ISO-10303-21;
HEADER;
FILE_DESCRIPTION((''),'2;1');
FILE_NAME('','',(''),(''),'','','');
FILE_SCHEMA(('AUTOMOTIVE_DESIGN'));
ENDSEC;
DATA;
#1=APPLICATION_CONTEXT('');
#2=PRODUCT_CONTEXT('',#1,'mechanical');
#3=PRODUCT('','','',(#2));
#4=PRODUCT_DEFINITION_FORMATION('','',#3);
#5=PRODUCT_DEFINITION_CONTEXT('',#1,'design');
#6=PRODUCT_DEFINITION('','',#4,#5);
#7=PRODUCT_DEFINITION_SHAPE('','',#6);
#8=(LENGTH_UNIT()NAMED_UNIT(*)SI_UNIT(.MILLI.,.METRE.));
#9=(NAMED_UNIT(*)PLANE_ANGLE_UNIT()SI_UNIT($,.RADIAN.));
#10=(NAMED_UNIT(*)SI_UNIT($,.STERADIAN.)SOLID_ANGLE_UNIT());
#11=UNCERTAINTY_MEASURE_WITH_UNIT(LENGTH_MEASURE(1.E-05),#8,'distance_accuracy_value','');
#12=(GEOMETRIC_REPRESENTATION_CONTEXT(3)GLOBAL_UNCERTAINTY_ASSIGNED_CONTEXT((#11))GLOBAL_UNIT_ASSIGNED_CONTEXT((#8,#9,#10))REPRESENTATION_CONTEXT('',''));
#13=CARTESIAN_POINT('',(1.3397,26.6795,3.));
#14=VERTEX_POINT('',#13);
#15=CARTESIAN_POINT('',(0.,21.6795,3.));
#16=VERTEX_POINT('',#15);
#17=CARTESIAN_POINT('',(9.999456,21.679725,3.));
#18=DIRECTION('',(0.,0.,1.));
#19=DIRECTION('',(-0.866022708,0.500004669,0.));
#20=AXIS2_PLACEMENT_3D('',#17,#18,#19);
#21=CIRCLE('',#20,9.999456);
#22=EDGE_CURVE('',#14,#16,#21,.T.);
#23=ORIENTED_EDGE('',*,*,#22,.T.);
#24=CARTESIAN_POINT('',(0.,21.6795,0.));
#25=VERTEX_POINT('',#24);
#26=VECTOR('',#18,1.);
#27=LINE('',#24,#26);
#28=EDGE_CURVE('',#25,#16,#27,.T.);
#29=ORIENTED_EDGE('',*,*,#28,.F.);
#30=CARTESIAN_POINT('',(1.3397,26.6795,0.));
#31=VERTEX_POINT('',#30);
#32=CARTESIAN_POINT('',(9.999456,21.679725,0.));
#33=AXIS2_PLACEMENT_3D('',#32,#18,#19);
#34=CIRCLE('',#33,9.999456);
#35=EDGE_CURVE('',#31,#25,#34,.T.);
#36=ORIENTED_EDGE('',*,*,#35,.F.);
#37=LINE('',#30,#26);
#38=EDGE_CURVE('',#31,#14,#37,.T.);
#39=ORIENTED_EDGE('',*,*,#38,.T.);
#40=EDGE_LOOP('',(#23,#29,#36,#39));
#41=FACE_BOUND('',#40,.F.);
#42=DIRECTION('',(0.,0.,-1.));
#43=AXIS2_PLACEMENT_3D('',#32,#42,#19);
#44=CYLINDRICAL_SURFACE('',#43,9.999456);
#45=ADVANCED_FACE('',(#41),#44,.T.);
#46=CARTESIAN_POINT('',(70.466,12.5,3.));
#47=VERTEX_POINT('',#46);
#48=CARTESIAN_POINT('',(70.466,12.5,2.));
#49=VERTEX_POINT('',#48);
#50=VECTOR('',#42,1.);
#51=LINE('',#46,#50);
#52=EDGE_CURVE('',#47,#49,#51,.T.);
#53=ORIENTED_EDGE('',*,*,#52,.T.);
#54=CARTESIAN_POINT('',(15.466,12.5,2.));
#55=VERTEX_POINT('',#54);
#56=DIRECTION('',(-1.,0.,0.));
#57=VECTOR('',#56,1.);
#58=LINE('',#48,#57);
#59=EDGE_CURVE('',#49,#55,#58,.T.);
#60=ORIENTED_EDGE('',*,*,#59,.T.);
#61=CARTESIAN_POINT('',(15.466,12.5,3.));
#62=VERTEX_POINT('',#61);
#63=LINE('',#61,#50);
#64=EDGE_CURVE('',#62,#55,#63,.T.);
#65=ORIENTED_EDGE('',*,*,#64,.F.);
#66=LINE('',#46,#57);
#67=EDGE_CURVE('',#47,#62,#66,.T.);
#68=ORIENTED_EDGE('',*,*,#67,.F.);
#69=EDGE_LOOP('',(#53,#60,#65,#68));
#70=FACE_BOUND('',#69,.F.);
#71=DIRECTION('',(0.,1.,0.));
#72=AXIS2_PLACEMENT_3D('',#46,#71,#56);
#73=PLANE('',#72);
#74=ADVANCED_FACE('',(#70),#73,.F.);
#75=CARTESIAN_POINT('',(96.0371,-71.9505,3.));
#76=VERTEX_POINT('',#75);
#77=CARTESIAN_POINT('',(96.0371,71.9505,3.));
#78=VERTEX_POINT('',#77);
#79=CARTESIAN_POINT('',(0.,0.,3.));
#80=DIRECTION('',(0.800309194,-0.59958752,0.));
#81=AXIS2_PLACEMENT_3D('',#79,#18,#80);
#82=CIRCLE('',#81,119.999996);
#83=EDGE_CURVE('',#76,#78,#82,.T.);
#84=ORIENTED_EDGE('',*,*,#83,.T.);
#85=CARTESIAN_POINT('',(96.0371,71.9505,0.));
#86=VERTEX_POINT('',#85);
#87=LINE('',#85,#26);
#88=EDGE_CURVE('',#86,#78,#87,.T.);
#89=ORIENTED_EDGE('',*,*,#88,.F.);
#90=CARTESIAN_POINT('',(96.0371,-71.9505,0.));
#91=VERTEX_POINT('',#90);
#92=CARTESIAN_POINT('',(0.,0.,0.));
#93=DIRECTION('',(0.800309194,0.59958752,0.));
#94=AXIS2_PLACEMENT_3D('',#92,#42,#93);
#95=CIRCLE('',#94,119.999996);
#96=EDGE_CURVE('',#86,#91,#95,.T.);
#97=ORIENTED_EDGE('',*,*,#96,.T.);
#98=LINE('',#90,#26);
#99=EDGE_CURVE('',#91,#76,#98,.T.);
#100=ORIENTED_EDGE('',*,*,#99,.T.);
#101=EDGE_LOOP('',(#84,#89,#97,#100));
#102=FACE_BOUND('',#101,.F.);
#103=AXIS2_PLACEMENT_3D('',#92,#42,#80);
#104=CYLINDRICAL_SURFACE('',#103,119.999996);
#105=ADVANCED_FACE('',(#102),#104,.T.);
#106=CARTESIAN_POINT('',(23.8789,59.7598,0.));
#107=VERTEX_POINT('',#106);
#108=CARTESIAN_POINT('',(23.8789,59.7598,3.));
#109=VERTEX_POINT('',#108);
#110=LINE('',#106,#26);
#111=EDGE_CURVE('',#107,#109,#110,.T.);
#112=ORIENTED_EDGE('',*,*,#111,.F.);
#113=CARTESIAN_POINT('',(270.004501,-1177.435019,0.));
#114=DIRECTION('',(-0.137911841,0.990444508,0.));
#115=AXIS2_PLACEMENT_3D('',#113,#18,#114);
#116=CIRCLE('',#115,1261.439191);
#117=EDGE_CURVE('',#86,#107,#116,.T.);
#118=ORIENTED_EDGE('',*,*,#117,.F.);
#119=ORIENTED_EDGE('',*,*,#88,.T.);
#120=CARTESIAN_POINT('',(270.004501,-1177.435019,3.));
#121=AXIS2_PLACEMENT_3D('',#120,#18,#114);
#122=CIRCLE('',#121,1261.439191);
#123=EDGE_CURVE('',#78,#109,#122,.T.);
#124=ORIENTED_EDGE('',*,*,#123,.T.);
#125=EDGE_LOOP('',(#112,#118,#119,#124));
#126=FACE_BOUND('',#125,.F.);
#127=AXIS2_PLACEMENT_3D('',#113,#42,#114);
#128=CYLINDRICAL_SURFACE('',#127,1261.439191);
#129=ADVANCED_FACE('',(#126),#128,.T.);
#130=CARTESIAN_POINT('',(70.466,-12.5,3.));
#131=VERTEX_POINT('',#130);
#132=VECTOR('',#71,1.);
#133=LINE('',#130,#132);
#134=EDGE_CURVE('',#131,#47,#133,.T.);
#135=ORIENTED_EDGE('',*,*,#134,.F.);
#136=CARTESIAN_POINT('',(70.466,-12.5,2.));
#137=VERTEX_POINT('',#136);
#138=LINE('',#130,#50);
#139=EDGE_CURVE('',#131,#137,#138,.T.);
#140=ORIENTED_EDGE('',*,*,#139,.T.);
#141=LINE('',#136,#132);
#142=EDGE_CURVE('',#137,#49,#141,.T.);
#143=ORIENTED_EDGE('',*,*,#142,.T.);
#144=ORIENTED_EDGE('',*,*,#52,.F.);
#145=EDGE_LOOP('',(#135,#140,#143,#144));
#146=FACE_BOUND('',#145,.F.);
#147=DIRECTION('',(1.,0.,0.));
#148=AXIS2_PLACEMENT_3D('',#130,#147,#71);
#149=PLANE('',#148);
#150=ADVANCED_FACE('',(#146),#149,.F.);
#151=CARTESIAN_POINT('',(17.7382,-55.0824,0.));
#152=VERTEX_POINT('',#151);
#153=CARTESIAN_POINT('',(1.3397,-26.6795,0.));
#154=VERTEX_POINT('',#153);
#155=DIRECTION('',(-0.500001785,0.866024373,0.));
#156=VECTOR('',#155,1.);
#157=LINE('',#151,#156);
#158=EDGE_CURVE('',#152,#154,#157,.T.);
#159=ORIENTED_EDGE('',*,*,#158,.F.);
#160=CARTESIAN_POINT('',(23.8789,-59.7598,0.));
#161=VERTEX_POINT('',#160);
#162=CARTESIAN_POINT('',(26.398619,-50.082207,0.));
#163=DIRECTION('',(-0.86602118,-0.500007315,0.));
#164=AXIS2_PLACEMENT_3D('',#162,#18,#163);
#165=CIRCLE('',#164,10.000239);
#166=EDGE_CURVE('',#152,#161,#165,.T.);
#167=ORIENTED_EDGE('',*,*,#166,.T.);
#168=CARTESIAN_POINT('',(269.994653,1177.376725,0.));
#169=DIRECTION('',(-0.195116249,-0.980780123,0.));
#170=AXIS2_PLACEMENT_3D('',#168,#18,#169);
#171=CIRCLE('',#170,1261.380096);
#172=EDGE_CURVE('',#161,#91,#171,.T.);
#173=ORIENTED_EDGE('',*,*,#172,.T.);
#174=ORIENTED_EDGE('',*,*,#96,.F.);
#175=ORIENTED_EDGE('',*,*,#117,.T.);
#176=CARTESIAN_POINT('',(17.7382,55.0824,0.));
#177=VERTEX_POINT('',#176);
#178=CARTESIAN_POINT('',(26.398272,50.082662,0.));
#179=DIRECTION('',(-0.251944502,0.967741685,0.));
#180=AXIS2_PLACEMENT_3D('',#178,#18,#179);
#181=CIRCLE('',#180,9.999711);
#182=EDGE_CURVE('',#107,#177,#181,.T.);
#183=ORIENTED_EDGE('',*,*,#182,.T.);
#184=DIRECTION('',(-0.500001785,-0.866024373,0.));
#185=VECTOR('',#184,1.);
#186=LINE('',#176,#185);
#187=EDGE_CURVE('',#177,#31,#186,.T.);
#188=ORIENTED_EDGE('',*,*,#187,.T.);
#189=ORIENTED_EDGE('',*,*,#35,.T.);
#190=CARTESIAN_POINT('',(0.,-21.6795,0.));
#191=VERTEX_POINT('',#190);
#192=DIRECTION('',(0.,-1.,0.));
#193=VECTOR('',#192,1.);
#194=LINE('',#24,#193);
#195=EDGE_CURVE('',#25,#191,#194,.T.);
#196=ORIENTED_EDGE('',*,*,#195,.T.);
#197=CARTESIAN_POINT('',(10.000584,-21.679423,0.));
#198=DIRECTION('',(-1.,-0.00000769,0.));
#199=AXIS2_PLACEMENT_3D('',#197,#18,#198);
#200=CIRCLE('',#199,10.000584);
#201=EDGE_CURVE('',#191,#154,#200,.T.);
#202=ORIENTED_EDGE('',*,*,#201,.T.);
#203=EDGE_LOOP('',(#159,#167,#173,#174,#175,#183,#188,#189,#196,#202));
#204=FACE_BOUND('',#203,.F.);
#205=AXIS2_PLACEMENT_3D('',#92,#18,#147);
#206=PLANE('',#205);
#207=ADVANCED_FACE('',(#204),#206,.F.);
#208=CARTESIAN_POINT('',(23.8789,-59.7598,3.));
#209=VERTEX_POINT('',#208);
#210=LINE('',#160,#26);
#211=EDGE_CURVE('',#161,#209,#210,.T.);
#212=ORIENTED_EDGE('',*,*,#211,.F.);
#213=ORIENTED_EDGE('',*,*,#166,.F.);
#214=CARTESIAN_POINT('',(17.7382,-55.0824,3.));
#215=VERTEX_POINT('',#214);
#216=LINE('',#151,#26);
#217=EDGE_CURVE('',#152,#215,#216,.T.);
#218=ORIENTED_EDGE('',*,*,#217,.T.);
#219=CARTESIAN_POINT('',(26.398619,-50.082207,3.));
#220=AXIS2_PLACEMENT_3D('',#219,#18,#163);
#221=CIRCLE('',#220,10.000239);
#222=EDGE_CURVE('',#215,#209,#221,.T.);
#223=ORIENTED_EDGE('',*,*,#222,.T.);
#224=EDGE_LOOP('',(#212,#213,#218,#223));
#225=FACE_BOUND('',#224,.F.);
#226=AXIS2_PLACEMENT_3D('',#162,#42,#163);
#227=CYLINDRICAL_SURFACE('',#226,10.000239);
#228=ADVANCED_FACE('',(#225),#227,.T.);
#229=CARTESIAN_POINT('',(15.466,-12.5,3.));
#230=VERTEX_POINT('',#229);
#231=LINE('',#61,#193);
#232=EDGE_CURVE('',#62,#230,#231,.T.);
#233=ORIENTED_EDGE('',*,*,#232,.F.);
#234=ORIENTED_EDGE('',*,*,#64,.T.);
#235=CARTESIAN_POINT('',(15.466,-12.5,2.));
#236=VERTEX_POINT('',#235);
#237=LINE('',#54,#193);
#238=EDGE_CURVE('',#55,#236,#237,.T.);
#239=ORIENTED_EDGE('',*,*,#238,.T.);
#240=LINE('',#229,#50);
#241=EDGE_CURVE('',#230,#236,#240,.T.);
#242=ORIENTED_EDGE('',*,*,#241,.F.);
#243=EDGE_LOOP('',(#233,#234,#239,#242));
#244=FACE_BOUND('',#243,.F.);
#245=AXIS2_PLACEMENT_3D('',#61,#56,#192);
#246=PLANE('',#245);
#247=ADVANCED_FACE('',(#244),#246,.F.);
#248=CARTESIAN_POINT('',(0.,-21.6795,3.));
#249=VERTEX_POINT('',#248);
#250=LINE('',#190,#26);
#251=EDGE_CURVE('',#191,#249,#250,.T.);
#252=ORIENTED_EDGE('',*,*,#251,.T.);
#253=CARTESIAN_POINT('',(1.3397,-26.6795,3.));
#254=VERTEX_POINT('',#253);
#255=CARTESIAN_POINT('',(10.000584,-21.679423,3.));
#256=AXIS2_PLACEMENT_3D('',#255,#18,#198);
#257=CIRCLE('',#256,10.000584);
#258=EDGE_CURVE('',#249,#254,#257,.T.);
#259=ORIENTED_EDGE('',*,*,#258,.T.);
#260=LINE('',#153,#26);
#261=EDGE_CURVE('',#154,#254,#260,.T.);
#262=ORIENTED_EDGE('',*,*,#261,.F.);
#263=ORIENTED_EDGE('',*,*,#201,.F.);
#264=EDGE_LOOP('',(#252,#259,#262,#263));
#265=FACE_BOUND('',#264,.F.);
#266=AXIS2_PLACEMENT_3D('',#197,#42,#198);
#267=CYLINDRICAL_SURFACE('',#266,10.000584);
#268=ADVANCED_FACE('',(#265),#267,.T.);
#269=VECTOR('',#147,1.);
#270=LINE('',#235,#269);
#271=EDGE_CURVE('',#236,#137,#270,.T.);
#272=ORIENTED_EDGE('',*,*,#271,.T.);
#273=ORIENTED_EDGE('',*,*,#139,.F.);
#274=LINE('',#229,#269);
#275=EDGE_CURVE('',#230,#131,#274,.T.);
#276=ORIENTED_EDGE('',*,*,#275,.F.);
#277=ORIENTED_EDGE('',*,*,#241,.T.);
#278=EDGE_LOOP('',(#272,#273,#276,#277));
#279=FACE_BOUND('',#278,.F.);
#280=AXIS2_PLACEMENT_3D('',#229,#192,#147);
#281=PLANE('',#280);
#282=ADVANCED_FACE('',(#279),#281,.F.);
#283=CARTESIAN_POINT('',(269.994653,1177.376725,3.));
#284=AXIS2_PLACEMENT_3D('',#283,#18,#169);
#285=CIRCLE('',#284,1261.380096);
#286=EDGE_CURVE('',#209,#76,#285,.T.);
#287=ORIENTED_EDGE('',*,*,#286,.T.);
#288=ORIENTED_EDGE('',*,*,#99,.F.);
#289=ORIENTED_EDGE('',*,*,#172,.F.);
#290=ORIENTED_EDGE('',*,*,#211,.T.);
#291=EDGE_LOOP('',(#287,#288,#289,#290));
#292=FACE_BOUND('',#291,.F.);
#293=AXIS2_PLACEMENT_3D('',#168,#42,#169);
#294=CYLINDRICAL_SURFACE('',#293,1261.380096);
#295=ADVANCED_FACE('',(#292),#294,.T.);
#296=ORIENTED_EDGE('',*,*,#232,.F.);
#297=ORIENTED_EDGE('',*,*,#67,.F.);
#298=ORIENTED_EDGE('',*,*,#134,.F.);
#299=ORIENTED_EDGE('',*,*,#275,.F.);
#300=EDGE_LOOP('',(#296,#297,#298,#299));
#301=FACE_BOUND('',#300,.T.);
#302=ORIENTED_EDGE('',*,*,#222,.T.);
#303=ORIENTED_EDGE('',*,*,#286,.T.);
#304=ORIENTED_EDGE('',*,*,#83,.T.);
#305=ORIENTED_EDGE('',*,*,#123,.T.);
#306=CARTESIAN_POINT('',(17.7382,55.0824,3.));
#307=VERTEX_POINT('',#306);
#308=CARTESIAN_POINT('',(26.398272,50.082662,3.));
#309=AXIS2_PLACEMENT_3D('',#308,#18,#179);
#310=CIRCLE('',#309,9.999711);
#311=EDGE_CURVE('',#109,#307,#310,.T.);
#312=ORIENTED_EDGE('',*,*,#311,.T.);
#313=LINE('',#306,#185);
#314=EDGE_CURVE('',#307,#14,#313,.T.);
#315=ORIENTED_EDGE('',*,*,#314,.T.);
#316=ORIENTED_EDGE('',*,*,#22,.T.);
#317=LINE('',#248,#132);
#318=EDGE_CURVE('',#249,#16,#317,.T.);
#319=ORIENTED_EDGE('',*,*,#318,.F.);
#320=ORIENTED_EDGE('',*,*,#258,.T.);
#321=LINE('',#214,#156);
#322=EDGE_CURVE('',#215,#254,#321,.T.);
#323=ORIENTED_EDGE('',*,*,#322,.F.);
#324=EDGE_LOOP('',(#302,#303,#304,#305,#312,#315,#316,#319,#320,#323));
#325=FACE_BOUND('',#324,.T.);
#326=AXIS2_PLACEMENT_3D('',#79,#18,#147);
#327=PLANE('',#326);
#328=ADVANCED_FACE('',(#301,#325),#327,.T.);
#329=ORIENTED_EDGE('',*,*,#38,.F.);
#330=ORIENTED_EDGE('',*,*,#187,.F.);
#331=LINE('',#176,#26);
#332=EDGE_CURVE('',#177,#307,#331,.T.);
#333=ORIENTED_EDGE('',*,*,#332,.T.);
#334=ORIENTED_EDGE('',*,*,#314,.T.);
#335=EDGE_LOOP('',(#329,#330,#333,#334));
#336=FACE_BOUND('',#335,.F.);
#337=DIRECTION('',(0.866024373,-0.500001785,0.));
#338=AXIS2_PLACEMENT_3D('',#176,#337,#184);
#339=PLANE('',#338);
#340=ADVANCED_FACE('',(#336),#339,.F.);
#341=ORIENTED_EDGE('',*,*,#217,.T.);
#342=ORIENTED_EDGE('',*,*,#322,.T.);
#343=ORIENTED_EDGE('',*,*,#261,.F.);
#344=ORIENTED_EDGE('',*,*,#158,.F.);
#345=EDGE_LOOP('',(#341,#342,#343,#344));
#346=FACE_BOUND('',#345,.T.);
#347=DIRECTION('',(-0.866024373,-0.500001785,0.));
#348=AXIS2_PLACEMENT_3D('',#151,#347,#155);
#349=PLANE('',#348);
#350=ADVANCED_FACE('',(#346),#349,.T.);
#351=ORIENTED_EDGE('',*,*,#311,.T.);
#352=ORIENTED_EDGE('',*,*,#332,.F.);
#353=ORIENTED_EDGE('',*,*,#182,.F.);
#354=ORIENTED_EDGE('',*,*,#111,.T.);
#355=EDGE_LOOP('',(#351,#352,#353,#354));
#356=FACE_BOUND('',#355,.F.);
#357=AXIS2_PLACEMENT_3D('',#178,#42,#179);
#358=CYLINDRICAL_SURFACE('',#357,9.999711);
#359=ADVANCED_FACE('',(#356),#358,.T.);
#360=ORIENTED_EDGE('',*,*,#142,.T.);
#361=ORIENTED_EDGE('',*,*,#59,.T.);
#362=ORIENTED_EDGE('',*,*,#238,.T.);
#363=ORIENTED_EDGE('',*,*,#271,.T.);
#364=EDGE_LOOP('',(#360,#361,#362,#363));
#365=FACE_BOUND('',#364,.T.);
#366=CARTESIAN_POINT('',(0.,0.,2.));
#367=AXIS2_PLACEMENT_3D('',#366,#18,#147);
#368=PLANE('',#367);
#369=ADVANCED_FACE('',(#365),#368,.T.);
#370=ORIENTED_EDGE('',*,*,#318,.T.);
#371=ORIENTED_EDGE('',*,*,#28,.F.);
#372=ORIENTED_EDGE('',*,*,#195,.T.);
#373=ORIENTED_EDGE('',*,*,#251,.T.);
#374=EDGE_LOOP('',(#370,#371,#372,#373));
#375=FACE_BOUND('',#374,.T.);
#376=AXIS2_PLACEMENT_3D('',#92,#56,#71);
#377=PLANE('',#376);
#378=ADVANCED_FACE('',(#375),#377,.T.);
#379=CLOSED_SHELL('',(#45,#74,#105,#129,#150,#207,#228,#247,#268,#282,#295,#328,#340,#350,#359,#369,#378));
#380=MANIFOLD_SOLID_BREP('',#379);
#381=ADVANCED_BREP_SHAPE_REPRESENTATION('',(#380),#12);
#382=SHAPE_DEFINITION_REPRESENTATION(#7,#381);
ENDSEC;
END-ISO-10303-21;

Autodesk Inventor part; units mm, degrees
ref_plane "YZ Plane" through (0, 0, 0) normal (1, 0, 0) x (0, 1, 0)
ref_plane "XZ Plane" through (0, 0, 0) normal (0, 1, 0) x (-1, 0, 0)
ref_plane "XY Plane" through (0, 0, 0) normal (0, 0, 1) x (1, 0, 0)
sketch "Sketch3" plane through (0, 0, 0) normal (0, 0, 1) x (1, 0, 0)
  line L0 (-124.5182, 0) -> (335.753, 0) projected
  line L1 (0, -1648.3682) -> (0, 1648.3682) projected
  line L2 (-58.7652, -57.1704) -> (105.7311, -56.7534) construction
  line L3 (17.7382, 55.0824) -> (1.3397, 26.6795)
  line L4 (17.7382, -55.0824) -> (1.3397, -26.6795)
  line L5 (20, -59) -> (52.7968, -59) construction
  arc A0 (23.8789, 59.7598) -> (17.7382, 55.0824) centre (26.3984, 50.0824) ccw
  arc A1 (17.7382, -55.0824) -> (23.8789, -59.7598) centre (26.3984, -50.0824) ccw
  line L6 (0, 21.6795) -> (0, -21.6795)
  arc A2 (96.0371, -71.9505) -> (96.0371, 71.9505) centre (0, 0) ccw
  line L7 (96.0371, 71.9505) -> (96.0371, -71.9505) construction
  arc A3 (96.0371, 71.9505) -> (23.8789, 59.7598) centre (270, -1177.4058) ccw
  arc A4 (23.8789, -59.7598) -> (96.0371, -71.9505) centre (270, 1177.4058) ccw
  arc A5 (1.3397, 26.6795) -> (0, 21.6795) centre (10, 21.6795) ccw
  arc A6 (0, -21.6795) -> (1.3397, -26.6795) centre (10, -21.6795) ccw
  point P0 (0, 24.359)
  point P1 (0, -24.359)
  point P2 (0, -24.359)
  dimension "d8" = 40
  dimension "d9" = 120
  dimension "d10" = 10
  dimension "d11" = 10
  dimension "d13" = 120
  dimension "d15" = 48.718
  dimension "d16" = 30.7234
  dimension "d17" = 30.7234
  dimension "d18" = 100.1648
  dimension "d19" = 270
  dimension "d20" = 1261.4097
  dimension "d21" = 10
  dimension "d24" = 143.901
extrude "Extrusion1" add sketch "Sketch3" along normal blind 3
sketch "Sketch4" plane through (0, 0, 3) normal (0, 0, 1) x (1, 0, 0)
  line L0 (15.466, -12.5) -> (70.466, -12.5)
  line L1 (70.466, -12.5) -> (70.466, 12.5)
  line L2 (70.466, 12.5) -> (15.466, 12.5)
  line L3 (15.466, 12.5) -> (15.466, -12.5)
  line L4 (15.466, -12.5) -> (70.466, 12.5) construction
  line L5 (70.466, -12.5) -> (15.466, 12.5) construction
  point P0 (0, 0)
  point P1 (42.966, 0)
  dimension "d31" = 55
  dimension "d32" = 25
extrude "Extrusion2" cut sketch "Sketch4" against normal blind 1
equation "\"d8\" = d6"
equation "\"d9\" = d7"
equation "\"d11\" = d10"
equation "\"d17\" = d16"
equation "\"BendRadius\" = Thickness"
equation "\"BendReliefWidth\" = Thickness"
equation "\"BendReliefDepth\" = 0.5 * Thickness"
equation "\"CornerReliefSize\" = 4 * Thickness"
equation "\"MinimumRemnant\" = 2 * Thickness"
equation "\"TransitionRadius\" = BendRadius"
equation "\"JacobiRadiusSize\" = BendRadius"
equation "\"GapSize\" = Thickness"
equation "\"d7\" = 120deg"
equation "\"Thickness\" = 0.5"
equation "\"d6\" = 40"
properties part number "Handle bars holder plates"
